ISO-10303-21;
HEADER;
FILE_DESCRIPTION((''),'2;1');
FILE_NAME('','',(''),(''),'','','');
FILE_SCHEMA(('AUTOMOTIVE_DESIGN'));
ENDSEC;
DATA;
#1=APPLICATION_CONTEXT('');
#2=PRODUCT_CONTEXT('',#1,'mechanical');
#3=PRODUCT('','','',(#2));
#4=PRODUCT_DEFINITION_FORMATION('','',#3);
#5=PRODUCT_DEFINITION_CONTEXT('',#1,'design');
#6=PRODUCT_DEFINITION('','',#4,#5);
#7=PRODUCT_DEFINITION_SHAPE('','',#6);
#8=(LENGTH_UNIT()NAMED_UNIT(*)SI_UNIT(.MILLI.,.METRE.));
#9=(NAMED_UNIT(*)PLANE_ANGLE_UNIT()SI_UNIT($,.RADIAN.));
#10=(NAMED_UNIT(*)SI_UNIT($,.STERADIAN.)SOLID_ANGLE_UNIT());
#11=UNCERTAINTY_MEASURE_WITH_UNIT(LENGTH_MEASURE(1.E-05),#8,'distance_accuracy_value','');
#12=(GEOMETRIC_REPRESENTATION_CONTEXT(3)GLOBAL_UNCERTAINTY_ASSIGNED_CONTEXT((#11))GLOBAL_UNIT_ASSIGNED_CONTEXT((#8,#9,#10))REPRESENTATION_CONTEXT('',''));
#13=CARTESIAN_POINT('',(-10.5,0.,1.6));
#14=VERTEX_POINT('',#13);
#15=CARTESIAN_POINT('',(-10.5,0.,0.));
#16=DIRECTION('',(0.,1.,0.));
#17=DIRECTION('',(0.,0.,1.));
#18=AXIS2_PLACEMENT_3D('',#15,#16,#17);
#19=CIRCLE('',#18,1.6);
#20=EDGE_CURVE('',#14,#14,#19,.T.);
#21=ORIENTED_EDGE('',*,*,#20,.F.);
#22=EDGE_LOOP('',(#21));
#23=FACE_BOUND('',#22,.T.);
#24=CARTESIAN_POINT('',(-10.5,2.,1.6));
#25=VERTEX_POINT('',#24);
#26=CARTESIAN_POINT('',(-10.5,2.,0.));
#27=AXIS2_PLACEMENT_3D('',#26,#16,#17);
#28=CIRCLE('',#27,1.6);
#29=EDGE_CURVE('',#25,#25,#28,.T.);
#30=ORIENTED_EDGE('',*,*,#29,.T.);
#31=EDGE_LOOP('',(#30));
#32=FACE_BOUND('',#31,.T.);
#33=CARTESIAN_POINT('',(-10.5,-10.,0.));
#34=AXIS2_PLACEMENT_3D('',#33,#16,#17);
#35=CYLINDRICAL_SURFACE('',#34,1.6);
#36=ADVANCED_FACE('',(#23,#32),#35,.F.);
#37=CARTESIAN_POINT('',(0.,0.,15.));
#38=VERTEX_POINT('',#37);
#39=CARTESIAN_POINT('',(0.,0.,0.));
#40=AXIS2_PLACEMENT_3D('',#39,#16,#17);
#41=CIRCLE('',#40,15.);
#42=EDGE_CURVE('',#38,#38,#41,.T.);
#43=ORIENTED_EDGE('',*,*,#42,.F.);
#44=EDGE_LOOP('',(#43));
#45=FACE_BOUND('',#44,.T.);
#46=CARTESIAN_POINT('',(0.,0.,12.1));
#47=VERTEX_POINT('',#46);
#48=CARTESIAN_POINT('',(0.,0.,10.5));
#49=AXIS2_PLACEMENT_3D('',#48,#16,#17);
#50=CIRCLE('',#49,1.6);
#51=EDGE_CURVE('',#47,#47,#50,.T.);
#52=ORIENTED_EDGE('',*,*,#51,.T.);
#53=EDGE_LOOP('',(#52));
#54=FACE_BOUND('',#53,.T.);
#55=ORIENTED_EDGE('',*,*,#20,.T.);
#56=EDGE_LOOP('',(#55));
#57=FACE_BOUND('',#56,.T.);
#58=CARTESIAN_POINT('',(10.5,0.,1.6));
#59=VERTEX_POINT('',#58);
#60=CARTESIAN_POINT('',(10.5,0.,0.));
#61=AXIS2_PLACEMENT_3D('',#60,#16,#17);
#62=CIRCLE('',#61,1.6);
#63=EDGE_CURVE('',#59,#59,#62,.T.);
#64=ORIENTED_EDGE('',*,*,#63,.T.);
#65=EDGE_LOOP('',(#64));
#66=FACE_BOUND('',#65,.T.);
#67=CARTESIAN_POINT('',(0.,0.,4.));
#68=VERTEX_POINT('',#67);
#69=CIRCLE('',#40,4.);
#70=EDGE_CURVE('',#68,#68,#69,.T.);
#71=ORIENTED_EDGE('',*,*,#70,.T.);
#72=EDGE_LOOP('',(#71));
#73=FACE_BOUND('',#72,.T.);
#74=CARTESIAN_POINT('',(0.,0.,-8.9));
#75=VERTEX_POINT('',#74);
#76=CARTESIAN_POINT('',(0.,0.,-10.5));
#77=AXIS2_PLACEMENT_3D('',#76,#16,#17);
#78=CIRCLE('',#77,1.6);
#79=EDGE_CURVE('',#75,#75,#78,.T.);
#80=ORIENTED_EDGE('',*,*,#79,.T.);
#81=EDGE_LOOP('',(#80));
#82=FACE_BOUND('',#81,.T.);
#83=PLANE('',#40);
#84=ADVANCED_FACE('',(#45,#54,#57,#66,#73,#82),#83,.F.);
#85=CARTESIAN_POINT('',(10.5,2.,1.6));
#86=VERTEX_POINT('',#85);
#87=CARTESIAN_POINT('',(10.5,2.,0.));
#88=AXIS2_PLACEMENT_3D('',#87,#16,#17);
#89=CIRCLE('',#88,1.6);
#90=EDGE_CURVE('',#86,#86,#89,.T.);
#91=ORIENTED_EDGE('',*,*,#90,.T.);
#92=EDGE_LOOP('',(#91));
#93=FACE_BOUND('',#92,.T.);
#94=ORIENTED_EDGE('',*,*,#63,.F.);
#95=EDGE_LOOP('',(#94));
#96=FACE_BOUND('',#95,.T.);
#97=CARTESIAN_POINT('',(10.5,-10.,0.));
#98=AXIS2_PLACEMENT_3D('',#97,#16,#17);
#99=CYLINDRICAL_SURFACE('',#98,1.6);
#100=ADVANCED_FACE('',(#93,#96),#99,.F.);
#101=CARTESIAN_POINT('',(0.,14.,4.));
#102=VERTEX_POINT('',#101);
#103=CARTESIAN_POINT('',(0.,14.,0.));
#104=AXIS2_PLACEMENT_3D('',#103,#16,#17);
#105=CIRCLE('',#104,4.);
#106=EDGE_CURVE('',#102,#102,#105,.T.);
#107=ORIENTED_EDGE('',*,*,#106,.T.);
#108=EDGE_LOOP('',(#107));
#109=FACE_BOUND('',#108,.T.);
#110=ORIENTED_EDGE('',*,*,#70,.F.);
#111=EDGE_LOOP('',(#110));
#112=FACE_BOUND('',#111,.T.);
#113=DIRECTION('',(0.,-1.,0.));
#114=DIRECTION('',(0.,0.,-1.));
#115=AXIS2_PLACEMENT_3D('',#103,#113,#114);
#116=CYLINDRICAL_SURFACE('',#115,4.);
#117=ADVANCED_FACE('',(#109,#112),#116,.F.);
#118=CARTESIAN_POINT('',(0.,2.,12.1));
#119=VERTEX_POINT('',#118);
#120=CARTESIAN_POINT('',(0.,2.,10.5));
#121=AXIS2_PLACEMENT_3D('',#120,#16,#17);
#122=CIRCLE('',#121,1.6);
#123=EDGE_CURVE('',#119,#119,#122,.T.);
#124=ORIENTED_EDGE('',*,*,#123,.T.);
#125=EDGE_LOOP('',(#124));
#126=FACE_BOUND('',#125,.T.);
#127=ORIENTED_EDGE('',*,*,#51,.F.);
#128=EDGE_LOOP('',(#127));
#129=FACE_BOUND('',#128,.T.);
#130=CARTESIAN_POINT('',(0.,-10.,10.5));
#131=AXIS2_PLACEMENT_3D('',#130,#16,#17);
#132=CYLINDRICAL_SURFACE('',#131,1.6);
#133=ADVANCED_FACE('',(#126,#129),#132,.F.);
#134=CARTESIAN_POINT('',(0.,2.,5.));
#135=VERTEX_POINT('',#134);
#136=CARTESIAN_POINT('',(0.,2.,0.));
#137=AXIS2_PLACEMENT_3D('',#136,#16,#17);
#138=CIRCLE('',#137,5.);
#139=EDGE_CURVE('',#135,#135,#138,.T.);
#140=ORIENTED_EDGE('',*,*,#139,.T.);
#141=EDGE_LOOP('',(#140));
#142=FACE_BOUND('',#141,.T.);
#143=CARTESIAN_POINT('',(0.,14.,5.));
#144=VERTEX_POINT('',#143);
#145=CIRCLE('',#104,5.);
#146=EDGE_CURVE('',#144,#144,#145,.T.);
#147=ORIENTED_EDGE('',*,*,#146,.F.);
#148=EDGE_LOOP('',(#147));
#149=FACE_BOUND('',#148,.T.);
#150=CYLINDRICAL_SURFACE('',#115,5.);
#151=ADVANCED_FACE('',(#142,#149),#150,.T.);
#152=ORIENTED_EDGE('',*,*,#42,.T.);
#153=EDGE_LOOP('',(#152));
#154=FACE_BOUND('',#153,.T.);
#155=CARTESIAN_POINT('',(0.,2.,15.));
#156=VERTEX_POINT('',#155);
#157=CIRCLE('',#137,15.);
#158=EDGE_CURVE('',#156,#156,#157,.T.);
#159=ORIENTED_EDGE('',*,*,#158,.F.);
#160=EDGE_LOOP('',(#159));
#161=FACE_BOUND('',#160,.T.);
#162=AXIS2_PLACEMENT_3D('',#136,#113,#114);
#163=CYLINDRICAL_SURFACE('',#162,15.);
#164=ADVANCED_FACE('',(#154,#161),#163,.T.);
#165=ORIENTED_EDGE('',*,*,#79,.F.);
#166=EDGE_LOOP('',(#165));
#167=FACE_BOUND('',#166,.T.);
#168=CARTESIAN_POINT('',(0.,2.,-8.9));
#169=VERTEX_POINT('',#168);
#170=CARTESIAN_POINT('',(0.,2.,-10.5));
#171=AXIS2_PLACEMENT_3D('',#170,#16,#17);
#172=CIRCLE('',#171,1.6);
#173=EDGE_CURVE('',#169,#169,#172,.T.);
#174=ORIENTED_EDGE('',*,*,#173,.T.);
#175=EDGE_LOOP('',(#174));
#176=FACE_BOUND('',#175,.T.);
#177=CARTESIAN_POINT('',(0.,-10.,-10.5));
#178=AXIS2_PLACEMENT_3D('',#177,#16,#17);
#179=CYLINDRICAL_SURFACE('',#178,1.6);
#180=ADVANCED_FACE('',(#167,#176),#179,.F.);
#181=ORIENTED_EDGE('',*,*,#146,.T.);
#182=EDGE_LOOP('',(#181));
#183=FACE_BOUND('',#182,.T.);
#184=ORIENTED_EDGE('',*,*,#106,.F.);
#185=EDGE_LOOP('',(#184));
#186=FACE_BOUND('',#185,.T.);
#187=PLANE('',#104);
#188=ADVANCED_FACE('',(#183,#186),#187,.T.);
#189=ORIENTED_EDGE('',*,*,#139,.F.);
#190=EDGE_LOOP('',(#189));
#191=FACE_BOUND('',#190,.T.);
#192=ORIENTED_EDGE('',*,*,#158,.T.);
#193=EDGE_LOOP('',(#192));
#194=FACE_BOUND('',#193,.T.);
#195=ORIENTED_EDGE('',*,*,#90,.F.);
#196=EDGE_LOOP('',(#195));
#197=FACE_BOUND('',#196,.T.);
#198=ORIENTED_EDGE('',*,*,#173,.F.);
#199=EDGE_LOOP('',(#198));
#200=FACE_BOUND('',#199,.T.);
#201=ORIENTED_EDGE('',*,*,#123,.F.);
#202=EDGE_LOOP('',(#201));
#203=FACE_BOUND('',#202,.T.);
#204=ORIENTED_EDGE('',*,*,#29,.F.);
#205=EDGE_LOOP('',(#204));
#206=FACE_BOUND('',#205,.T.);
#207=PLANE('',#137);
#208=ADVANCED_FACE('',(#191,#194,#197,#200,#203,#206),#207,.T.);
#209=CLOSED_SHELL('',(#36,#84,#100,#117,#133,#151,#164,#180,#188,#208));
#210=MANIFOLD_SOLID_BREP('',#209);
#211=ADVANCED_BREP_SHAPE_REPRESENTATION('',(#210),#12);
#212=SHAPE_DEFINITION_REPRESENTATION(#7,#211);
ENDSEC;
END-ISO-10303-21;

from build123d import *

# Parameters (mm, degrees)
SKETCH_1_R          = 15
EXTRUDE_1_DEPTH     = 2
SKETCH_2_R          = 5
SKETCH_2_R_2        = 4
EXTRUDE_2_DEPTH     = 12
CUT_EXTRUDE_START   = -12
SKETCH_3_R          = 4
CUT_EXTRUDE_1_DEPTH = 12
SKETCH_4_R          = 1.6
CUT_EXTRUDE_2_DEPTH = 12


with BuildPart() as part:
    # 草图1 → 凸台-拉伸1 (new body)
    with BuildSketch(Plane(origin=(0, 0, 0), x_dir=(1, 0, 0), z_dir=(0, 1, 0))):
        with Locations(Location((0, 0, 0), (0, 0, 270))):
            Circle(SKETCH_1_R)
    extrude(amount=EXTRUDE_1_DEPTH)

    # 草图2 → 凸台-拉伸2 (add)
    with BuildSketch(Plane(origin=(0, 2, 0), x_dir=(1, 0, 0), z_dir=(0, 1, 0))):
        with Locations(Location((0, 0, 0), (0, 0, 270))):
            Circle(SKETCH_2_R)
        with Locations(Location((0, 0, 0), (0, 0, 270))):
            Circle(SKETCH_2_R_2, mode=Mode.SUBTRACT)
    extrude(amount=EXTRUDE_2_DEPTH)

    # 草图3 → 切除-拉伸1 (cut)
    with BuildSketch(Plane(origin=(0, 2, 0), x_dir=(1, 0, 0), z_dir=(0, 1, 0)).offset(CUT_EXTRUDE_START)):
        with Locations(Location((0, 0, 0), (0, 0, 270))):
            Circle(SKETCH_3_R)
    extrude(amount=CUT_EXTRUDE_1_DEPTH, mode=Mode.SUBTRACT)

    # 草图4 → 切除-拉伸2 (cut)
    with BuildSketch(Plane(origin=(0, 2, 0), x_dir=(1, 0, 0), z_dir=(0, 1, 0))):
        with Locations(Location((0, 10.5, 0), (0, 0, 270))):
            Circle(SKETCH_4_R)
        with Locations(Location((10.5, 0, 0), (0, 0, 270))):
            Circle(SKETCH_4_R)
        with Locations(Location((0, -10.5, 0), (0, 0, 270))):
            Circle(SKETCH_4_R)
        with Locations(Location((-10.5, 0, 0), (0, 0, 270))):
            Circle(SKETCH_4_R)
    extrude(amount=-CUT_EXTRUDE_2_DEPTH, mode=Mode.SUBTRACT)


solid = part.part
